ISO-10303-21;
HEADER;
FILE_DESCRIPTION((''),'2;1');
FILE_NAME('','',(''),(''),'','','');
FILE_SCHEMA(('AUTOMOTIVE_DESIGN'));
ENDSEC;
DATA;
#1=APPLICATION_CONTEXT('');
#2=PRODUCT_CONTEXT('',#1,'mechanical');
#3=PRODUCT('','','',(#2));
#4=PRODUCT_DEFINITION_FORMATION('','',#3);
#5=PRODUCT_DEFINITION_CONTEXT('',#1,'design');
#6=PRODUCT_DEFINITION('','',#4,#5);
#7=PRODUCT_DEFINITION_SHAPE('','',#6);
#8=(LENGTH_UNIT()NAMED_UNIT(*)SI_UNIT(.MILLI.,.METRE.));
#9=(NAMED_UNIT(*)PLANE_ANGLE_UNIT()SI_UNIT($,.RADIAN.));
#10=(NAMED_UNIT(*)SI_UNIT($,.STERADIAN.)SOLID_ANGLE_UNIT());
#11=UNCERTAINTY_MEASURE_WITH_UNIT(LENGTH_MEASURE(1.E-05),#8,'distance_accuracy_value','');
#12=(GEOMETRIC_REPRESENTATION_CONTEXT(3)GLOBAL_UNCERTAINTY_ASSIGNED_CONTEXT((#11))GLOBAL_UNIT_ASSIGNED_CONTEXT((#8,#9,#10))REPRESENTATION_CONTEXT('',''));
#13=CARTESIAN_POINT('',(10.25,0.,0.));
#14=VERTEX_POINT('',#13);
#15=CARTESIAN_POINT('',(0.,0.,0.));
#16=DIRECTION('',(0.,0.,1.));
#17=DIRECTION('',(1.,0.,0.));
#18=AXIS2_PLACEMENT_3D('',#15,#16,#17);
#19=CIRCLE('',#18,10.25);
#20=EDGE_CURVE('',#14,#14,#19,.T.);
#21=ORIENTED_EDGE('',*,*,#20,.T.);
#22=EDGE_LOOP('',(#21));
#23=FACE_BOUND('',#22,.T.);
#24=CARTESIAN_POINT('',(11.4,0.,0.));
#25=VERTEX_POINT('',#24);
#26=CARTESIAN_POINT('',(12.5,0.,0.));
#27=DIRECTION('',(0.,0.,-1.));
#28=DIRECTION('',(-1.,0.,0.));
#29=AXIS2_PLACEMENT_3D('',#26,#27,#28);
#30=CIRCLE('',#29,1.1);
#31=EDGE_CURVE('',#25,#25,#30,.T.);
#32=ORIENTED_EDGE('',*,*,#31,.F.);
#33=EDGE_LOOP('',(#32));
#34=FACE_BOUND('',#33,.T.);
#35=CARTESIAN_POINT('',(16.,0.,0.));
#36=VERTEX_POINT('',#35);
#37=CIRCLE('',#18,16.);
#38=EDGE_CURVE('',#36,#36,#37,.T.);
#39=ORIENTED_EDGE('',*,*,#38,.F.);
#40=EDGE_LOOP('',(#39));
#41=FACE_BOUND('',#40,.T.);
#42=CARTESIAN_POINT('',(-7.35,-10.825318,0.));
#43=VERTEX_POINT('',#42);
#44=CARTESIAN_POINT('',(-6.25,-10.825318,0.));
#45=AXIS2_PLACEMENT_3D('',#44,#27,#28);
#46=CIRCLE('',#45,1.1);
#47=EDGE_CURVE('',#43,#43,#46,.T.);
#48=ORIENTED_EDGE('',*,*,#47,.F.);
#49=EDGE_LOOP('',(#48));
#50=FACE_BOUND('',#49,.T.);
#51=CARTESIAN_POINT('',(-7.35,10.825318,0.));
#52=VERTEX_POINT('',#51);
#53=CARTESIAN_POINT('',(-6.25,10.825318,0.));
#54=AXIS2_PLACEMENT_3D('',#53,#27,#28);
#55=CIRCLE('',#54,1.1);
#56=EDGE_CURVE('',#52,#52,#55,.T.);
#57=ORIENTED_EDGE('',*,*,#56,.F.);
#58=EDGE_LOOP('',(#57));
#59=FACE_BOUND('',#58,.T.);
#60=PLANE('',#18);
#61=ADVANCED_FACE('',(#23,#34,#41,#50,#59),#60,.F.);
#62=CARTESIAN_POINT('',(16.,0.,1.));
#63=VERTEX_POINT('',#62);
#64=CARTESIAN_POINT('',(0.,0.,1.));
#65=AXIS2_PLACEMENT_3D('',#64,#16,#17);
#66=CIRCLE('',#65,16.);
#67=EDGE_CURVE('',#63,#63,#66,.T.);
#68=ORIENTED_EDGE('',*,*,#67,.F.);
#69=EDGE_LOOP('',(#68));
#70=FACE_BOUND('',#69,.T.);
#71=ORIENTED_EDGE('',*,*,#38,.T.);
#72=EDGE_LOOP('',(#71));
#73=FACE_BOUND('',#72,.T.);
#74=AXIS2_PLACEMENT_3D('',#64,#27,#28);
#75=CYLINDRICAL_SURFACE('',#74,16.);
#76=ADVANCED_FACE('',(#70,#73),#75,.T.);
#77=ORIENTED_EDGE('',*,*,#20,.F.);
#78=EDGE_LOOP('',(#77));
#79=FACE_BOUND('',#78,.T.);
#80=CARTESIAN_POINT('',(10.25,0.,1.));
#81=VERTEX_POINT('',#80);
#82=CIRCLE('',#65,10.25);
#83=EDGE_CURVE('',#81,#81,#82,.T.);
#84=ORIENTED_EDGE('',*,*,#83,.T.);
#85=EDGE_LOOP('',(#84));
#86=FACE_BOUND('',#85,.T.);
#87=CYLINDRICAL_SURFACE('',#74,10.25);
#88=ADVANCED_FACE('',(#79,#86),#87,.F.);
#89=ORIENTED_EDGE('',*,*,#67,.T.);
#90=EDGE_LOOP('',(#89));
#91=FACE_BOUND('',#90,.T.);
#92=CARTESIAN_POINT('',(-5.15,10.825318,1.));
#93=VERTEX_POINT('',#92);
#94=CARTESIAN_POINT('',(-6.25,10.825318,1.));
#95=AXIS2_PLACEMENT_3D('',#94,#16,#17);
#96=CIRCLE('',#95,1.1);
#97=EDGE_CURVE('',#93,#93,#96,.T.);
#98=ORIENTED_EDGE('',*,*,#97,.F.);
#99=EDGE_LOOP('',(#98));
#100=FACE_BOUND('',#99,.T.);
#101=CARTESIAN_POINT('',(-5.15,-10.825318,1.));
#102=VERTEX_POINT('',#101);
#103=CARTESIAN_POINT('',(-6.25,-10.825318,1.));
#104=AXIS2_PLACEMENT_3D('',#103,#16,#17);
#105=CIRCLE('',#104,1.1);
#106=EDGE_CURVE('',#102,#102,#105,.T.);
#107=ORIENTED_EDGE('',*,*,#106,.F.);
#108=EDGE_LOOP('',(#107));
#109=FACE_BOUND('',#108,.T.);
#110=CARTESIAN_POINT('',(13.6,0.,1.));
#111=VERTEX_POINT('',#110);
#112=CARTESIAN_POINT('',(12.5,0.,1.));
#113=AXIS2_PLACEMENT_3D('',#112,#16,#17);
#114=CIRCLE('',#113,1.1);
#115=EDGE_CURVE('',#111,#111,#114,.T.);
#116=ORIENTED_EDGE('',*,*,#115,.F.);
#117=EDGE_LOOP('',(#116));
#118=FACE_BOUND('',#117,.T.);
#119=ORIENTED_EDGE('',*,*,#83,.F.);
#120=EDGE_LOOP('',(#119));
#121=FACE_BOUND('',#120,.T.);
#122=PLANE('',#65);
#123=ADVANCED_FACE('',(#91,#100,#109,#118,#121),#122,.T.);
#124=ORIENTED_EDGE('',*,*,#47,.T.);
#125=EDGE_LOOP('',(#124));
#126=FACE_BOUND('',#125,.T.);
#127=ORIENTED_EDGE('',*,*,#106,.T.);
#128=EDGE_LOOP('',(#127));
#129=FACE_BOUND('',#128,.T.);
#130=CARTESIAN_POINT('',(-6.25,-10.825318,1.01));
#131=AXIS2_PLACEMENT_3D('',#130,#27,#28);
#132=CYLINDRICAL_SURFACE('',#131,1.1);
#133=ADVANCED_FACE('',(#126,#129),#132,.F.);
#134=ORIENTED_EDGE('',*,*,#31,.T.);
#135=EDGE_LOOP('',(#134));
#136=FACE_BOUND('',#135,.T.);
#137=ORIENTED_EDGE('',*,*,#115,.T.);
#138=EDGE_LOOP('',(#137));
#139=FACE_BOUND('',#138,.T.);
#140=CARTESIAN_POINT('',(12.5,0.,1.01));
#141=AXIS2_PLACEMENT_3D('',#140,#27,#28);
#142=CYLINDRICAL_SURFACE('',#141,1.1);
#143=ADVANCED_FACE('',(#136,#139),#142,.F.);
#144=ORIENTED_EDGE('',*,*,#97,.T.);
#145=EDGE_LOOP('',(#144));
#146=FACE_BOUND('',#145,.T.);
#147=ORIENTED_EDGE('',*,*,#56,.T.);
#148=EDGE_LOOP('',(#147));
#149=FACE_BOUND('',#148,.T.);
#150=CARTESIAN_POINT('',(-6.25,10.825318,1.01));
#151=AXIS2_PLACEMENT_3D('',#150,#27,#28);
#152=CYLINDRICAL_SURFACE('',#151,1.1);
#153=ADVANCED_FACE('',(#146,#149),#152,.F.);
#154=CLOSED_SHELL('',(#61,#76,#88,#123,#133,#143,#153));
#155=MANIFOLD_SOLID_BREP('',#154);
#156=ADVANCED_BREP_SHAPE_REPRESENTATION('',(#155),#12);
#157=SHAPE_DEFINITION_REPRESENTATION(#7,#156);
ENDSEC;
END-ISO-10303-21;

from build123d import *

# Parameters (mm, degrees)
SKETCH1_R                 = 16
SKETCH1_R_2               = 10.25
BOSS_EXTRUDE1_DEPTH       = 1
SKETCH2_R                 = 1.1
RETAINER_THREE_D2P2_DEPTH = 1.01


with BuildPart() as part:
    # Sketch1 → Boss-Extrude1 (new body)
    with BuildSketch(Plane.XY):
        Circle(SKETCH1_R)
        Circle(SKETCH1_R_2, mode=Mode.SUBTRACT)
    extrude(amount=BOSS_EXTRUDE1_DEPTH)

    # Sketch2 → Retainer_Three_D2p2 (cut)
    with BuildSketch(Plane(origin=(0, 0, 0), x_dir=(-1, 0, 0), z_dir=(0, 0, -1))):
        with Locations((-12.5, 0)):
            Circle(SKETCH2_R)
        with Locations((6.25, 10.825317547)):
            Circle(SKETCH2_R)
        with Locations((6.25, -10.825317547)):
            Circle(SKETCH2_R)
    extrude(amount=-RETAINER_THREE_D2P2_DEPTH, mode=Mode.SUBTRACT)


solid = part.part
